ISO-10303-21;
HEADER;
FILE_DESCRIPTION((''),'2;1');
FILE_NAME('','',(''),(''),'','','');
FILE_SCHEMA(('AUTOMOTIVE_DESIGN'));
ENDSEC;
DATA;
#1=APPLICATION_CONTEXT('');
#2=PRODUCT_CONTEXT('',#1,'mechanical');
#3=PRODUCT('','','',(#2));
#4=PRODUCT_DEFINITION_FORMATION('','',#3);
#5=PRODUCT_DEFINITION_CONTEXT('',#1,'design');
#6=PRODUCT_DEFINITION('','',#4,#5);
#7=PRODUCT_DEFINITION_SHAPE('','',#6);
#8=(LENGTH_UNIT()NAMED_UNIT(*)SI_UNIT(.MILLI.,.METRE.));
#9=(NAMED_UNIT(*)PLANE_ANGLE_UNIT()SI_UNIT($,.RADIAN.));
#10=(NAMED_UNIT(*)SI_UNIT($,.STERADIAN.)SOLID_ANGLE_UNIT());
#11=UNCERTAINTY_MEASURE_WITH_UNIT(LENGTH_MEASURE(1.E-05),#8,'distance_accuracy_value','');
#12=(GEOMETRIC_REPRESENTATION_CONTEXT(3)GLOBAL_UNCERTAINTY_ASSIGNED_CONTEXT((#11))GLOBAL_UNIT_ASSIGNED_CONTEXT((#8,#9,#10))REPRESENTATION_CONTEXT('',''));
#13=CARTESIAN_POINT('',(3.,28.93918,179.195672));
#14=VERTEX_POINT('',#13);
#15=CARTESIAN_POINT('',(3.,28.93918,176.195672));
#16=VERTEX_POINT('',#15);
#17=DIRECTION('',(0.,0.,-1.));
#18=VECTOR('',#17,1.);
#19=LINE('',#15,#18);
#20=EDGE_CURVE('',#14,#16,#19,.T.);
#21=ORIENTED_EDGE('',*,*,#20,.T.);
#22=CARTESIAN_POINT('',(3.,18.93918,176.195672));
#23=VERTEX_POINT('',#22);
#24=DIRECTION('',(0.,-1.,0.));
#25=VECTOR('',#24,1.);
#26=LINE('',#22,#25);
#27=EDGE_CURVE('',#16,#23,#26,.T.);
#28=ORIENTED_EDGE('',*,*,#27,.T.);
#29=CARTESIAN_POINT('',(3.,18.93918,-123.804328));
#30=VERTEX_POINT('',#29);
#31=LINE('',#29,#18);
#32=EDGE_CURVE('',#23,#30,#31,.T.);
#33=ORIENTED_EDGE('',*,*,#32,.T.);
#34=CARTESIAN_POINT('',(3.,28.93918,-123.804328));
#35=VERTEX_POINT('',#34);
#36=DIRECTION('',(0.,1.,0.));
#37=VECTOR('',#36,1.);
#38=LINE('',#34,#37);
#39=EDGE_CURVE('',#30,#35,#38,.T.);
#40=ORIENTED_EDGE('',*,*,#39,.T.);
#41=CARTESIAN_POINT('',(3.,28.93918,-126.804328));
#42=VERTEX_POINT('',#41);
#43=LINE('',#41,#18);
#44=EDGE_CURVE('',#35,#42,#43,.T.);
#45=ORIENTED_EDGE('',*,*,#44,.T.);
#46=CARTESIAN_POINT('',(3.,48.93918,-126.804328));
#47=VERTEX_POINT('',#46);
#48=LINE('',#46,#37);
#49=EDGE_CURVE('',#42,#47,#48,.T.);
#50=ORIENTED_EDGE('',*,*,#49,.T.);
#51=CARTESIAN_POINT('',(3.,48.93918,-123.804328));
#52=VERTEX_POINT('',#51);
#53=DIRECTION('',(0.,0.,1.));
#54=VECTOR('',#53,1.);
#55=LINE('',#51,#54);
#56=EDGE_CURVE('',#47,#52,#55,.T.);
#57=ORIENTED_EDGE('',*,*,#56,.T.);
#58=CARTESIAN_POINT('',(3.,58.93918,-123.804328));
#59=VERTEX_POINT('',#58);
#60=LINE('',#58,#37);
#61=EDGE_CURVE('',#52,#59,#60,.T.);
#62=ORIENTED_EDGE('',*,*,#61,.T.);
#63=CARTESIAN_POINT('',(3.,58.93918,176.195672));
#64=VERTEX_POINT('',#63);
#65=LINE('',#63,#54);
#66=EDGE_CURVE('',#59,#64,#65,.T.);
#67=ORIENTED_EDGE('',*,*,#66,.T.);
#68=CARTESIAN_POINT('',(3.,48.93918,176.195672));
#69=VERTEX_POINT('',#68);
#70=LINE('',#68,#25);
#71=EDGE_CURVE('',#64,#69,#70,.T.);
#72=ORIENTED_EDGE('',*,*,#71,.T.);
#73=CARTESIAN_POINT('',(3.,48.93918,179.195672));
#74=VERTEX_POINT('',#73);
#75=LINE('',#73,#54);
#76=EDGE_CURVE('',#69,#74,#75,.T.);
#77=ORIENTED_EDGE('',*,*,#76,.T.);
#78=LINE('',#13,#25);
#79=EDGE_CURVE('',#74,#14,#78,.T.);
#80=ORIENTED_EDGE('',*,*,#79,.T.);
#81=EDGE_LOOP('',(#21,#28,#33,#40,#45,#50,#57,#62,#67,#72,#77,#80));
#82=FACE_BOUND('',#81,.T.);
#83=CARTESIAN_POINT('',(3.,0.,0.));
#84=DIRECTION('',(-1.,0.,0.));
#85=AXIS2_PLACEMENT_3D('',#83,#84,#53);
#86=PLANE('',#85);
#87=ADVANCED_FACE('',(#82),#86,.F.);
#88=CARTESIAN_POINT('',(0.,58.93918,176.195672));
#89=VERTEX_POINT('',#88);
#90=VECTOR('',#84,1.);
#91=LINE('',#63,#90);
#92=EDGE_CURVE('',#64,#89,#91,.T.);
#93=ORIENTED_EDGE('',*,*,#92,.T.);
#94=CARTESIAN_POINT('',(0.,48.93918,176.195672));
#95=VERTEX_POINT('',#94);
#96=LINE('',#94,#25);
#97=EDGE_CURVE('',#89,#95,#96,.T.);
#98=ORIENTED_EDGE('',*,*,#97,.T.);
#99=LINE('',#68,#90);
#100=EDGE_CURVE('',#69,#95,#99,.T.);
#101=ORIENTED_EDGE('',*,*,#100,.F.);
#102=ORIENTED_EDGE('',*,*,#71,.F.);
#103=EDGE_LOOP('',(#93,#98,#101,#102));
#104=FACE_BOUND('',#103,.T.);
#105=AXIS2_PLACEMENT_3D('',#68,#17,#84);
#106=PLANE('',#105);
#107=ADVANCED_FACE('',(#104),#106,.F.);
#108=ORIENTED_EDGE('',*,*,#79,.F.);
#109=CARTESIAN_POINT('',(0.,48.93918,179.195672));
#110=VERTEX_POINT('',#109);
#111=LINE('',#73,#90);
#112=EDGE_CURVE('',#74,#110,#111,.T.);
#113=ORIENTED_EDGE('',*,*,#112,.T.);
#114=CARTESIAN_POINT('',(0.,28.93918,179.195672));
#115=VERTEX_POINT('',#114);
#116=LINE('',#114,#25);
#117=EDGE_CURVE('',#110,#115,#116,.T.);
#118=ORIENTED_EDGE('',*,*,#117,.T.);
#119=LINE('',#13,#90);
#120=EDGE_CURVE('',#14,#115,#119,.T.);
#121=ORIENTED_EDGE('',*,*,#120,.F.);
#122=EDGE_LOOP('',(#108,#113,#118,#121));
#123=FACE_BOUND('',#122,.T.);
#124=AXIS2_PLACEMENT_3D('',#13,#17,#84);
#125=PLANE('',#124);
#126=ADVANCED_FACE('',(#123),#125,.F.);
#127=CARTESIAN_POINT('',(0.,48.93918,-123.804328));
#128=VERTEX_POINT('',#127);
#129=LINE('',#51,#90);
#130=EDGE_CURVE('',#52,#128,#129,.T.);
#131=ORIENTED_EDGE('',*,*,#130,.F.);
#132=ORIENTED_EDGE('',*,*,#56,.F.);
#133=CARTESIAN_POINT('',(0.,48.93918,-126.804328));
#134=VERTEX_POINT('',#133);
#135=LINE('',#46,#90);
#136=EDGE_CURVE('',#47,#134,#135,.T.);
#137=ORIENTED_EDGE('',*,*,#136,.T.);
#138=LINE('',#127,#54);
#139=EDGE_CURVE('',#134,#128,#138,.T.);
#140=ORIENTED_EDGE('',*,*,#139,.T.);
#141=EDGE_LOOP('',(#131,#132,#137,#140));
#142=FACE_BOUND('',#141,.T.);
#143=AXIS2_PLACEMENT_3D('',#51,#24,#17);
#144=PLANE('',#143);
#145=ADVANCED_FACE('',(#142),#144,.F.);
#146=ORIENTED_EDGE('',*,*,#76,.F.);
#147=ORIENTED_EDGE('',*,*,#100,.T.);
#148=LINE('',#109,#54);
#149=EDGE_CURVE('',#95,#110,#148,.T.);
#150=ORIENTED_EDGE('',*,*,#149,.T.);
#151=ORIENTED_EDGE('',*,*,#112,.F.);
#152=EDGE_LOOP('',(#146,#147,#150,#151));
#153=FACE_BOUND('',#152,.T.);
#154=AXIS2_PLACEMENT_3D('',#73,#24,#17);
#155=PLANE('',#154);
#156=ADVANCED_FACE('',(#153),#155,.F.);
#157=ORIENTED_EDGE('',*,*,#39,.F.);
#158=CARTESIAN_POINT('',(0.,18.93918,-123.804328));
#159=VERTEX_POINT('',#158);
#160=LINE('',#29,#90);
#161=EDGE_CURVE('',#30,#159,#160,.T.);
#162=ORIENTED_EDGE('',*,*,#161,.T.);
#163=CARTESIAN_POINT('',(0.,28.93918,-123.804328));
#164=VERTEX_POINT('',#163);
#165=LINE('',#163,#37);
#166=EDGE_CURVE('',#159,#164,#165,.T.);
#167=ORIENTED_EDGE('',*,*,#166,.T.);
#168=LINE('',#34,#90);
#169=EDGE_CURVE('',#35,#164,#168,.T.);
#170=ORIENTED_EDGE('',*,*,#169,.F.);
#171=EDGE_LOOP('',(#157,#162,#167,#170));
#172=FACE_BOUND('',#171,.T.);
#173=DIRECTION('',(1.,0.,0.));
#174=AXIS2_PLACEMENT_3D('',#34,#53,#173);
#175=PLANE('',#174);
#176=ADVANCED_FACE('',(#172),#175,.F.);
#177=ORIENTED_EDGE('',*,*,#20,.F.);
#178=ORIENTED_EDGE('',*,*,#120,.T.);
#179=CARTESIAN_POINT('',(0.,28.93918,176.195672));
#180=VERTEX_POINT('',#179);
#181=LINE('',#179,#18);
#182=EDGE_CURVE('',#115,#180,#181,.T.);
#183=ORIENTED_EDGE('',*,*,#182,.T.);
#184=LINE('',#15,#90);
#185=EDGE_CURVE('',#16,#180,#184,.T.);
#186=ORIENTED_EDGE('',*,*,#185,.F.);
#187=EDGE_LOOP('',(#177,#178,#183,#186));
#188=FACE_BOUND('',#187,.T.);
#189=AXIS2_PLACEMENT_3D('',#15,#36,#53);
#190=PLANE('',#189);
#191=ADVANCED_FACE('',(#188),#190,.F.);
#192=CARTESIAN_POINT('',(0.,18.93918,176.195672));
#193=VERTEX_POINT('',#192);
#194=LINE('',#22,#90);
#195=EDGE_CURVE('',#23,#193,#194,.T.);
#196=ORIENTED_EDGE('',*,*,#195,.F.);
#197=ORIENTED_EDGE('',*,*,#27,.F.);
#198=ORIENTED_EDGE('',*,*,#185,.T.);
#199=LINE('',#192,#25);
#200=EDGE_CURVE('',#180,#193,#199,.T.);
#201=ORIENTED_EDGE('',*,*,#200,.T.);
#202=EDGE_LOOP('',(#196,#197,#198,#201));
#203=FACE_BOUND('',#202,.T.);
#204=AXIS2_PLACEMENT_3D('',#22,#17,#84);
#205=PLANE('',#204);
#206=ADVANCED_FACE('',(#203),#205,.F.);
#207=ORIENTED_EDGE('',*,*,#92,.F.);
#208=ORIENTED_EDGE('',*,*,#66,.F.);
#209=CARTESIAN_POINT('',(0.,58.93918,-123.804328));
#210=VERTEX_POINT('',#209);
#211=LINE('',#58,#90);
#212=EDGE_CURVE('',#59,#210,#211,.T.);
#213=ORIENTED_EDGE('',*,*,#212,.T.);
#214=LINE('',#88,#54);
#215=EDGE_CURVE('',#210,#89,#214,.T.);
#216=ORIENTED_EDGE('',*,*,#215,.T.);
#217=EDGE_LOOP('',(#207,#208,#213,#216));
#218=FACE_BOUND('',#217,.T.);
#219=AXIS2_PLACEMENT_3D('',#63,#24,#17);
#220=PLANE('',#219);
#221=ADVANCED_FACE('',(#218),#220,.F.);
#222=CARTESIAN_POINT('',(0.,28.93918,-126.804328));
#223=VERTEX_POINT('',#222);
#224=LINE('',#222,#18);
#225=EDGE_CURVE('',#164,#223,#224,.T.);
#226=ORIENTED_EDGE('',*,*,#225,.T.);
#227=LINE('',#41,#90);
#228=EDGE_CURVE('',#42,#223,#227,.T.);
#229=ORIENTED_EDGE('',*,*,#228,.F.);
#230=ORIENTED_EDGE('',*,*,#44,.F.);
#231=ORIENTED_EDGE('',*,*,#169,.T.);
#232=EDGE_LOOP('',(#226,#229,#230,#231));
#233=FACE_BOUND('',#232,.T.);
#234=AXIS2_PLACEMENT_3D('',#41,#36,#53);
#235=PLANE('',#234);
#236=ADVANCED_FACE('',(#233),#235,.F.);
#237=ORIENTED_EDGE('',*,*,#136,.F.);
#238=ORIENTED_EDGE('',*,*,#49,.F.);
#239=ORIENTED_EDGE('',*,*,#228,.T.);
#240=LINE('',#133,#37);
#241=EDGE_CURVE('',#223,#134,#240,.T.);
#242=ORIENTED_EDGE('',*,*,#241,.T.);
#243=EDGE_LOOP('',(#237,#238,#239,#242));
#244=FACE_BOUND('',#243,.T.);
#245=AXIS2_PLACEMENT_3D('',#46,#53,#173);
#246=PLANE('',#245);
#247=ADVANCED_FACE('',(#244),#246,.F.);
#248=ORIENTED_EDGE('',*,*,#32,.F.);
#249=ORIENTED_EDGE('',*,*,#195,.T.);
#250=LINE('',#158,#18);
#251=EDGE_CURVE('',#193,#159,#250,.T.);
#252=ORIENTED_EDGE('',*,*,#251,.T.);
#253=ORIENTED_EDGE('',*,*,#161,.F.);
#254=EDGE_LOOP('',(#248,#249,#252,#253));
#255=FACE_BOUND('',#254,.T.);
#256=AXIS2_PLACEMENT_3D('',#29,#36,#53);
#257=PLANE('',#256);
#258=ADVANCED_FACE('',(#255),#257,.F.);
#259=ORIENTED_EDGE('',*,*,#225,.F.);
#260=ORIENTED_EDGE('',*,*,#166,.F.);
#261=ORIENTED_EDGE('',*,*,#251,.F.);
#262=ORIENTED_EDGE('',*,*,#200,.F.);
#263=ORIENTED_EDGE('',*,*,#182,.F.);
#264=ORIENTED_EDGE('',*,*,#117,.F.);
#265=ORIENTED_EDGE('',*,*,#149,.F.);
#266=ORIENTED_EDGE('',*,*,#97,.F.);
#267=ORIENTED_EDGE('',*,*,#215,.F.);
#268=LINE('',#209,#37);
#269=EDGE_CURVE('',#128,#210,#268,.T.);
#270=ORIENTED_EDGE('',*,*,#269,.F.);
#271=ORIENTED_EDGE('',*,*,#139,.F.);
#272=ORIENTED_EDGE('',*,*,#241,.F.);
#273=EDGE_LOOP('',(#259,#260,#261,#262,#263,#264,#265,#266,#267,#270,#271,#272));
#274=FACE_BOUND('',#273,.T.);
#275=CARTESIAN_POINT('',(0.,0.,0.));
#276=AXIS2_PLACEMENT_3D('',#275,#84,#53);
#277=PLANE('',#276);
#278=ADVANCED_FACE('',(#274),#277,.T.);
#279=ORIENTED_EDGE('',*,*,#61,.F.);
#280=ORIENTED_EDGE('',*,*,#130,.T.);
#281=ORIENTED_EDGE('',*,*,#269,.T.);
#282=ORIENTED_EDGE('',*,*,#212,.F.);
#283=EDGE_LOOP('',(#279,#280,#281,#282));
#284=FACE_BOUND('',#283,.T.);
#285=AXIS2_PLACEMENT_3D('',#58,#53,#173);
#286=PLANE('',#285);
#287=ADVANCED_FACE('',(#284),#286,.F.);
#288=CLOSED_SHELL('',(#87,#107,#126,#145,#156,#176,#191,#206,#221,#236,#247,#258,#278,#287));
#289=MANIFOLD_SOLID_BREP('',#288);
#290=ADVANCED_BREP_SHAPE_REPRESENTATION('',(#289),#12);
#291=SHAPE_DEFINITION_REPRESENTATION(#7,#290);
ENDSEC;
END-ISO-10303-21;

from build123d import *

# Parameters (mm, degrees)
BOSS_EXTRUDE2_DEPTH = 3


with BuildPart() as part:
    # Sketch1 → Boss-Extrude2 (new body)
    with BuildSketch(Plane(origin=(0, 0, 0), x_dir=(0, 0, -1), z_dir=(1, 0, 0))):
        Polygon((-176.195672359, 58.939179808), (123.804327641, 58.939179808), (123.804327641, 48.939179808), (126.804327641, 48.939179808), (126.804327641, 28.939179808), (123.804327641, 28.939179808), (123.804327641, 18.939179808), (-176.195672359, 18.939179808), (-176.195672359, 28.939179808), (-179.195672359, 28.939179808), (-179.195672359, 48.939179808), (-176.195672359, 48.939179808), align=None)
    extrude(amount=BOSS_EXTRUDE2_DEPTH)


solid = part.part
